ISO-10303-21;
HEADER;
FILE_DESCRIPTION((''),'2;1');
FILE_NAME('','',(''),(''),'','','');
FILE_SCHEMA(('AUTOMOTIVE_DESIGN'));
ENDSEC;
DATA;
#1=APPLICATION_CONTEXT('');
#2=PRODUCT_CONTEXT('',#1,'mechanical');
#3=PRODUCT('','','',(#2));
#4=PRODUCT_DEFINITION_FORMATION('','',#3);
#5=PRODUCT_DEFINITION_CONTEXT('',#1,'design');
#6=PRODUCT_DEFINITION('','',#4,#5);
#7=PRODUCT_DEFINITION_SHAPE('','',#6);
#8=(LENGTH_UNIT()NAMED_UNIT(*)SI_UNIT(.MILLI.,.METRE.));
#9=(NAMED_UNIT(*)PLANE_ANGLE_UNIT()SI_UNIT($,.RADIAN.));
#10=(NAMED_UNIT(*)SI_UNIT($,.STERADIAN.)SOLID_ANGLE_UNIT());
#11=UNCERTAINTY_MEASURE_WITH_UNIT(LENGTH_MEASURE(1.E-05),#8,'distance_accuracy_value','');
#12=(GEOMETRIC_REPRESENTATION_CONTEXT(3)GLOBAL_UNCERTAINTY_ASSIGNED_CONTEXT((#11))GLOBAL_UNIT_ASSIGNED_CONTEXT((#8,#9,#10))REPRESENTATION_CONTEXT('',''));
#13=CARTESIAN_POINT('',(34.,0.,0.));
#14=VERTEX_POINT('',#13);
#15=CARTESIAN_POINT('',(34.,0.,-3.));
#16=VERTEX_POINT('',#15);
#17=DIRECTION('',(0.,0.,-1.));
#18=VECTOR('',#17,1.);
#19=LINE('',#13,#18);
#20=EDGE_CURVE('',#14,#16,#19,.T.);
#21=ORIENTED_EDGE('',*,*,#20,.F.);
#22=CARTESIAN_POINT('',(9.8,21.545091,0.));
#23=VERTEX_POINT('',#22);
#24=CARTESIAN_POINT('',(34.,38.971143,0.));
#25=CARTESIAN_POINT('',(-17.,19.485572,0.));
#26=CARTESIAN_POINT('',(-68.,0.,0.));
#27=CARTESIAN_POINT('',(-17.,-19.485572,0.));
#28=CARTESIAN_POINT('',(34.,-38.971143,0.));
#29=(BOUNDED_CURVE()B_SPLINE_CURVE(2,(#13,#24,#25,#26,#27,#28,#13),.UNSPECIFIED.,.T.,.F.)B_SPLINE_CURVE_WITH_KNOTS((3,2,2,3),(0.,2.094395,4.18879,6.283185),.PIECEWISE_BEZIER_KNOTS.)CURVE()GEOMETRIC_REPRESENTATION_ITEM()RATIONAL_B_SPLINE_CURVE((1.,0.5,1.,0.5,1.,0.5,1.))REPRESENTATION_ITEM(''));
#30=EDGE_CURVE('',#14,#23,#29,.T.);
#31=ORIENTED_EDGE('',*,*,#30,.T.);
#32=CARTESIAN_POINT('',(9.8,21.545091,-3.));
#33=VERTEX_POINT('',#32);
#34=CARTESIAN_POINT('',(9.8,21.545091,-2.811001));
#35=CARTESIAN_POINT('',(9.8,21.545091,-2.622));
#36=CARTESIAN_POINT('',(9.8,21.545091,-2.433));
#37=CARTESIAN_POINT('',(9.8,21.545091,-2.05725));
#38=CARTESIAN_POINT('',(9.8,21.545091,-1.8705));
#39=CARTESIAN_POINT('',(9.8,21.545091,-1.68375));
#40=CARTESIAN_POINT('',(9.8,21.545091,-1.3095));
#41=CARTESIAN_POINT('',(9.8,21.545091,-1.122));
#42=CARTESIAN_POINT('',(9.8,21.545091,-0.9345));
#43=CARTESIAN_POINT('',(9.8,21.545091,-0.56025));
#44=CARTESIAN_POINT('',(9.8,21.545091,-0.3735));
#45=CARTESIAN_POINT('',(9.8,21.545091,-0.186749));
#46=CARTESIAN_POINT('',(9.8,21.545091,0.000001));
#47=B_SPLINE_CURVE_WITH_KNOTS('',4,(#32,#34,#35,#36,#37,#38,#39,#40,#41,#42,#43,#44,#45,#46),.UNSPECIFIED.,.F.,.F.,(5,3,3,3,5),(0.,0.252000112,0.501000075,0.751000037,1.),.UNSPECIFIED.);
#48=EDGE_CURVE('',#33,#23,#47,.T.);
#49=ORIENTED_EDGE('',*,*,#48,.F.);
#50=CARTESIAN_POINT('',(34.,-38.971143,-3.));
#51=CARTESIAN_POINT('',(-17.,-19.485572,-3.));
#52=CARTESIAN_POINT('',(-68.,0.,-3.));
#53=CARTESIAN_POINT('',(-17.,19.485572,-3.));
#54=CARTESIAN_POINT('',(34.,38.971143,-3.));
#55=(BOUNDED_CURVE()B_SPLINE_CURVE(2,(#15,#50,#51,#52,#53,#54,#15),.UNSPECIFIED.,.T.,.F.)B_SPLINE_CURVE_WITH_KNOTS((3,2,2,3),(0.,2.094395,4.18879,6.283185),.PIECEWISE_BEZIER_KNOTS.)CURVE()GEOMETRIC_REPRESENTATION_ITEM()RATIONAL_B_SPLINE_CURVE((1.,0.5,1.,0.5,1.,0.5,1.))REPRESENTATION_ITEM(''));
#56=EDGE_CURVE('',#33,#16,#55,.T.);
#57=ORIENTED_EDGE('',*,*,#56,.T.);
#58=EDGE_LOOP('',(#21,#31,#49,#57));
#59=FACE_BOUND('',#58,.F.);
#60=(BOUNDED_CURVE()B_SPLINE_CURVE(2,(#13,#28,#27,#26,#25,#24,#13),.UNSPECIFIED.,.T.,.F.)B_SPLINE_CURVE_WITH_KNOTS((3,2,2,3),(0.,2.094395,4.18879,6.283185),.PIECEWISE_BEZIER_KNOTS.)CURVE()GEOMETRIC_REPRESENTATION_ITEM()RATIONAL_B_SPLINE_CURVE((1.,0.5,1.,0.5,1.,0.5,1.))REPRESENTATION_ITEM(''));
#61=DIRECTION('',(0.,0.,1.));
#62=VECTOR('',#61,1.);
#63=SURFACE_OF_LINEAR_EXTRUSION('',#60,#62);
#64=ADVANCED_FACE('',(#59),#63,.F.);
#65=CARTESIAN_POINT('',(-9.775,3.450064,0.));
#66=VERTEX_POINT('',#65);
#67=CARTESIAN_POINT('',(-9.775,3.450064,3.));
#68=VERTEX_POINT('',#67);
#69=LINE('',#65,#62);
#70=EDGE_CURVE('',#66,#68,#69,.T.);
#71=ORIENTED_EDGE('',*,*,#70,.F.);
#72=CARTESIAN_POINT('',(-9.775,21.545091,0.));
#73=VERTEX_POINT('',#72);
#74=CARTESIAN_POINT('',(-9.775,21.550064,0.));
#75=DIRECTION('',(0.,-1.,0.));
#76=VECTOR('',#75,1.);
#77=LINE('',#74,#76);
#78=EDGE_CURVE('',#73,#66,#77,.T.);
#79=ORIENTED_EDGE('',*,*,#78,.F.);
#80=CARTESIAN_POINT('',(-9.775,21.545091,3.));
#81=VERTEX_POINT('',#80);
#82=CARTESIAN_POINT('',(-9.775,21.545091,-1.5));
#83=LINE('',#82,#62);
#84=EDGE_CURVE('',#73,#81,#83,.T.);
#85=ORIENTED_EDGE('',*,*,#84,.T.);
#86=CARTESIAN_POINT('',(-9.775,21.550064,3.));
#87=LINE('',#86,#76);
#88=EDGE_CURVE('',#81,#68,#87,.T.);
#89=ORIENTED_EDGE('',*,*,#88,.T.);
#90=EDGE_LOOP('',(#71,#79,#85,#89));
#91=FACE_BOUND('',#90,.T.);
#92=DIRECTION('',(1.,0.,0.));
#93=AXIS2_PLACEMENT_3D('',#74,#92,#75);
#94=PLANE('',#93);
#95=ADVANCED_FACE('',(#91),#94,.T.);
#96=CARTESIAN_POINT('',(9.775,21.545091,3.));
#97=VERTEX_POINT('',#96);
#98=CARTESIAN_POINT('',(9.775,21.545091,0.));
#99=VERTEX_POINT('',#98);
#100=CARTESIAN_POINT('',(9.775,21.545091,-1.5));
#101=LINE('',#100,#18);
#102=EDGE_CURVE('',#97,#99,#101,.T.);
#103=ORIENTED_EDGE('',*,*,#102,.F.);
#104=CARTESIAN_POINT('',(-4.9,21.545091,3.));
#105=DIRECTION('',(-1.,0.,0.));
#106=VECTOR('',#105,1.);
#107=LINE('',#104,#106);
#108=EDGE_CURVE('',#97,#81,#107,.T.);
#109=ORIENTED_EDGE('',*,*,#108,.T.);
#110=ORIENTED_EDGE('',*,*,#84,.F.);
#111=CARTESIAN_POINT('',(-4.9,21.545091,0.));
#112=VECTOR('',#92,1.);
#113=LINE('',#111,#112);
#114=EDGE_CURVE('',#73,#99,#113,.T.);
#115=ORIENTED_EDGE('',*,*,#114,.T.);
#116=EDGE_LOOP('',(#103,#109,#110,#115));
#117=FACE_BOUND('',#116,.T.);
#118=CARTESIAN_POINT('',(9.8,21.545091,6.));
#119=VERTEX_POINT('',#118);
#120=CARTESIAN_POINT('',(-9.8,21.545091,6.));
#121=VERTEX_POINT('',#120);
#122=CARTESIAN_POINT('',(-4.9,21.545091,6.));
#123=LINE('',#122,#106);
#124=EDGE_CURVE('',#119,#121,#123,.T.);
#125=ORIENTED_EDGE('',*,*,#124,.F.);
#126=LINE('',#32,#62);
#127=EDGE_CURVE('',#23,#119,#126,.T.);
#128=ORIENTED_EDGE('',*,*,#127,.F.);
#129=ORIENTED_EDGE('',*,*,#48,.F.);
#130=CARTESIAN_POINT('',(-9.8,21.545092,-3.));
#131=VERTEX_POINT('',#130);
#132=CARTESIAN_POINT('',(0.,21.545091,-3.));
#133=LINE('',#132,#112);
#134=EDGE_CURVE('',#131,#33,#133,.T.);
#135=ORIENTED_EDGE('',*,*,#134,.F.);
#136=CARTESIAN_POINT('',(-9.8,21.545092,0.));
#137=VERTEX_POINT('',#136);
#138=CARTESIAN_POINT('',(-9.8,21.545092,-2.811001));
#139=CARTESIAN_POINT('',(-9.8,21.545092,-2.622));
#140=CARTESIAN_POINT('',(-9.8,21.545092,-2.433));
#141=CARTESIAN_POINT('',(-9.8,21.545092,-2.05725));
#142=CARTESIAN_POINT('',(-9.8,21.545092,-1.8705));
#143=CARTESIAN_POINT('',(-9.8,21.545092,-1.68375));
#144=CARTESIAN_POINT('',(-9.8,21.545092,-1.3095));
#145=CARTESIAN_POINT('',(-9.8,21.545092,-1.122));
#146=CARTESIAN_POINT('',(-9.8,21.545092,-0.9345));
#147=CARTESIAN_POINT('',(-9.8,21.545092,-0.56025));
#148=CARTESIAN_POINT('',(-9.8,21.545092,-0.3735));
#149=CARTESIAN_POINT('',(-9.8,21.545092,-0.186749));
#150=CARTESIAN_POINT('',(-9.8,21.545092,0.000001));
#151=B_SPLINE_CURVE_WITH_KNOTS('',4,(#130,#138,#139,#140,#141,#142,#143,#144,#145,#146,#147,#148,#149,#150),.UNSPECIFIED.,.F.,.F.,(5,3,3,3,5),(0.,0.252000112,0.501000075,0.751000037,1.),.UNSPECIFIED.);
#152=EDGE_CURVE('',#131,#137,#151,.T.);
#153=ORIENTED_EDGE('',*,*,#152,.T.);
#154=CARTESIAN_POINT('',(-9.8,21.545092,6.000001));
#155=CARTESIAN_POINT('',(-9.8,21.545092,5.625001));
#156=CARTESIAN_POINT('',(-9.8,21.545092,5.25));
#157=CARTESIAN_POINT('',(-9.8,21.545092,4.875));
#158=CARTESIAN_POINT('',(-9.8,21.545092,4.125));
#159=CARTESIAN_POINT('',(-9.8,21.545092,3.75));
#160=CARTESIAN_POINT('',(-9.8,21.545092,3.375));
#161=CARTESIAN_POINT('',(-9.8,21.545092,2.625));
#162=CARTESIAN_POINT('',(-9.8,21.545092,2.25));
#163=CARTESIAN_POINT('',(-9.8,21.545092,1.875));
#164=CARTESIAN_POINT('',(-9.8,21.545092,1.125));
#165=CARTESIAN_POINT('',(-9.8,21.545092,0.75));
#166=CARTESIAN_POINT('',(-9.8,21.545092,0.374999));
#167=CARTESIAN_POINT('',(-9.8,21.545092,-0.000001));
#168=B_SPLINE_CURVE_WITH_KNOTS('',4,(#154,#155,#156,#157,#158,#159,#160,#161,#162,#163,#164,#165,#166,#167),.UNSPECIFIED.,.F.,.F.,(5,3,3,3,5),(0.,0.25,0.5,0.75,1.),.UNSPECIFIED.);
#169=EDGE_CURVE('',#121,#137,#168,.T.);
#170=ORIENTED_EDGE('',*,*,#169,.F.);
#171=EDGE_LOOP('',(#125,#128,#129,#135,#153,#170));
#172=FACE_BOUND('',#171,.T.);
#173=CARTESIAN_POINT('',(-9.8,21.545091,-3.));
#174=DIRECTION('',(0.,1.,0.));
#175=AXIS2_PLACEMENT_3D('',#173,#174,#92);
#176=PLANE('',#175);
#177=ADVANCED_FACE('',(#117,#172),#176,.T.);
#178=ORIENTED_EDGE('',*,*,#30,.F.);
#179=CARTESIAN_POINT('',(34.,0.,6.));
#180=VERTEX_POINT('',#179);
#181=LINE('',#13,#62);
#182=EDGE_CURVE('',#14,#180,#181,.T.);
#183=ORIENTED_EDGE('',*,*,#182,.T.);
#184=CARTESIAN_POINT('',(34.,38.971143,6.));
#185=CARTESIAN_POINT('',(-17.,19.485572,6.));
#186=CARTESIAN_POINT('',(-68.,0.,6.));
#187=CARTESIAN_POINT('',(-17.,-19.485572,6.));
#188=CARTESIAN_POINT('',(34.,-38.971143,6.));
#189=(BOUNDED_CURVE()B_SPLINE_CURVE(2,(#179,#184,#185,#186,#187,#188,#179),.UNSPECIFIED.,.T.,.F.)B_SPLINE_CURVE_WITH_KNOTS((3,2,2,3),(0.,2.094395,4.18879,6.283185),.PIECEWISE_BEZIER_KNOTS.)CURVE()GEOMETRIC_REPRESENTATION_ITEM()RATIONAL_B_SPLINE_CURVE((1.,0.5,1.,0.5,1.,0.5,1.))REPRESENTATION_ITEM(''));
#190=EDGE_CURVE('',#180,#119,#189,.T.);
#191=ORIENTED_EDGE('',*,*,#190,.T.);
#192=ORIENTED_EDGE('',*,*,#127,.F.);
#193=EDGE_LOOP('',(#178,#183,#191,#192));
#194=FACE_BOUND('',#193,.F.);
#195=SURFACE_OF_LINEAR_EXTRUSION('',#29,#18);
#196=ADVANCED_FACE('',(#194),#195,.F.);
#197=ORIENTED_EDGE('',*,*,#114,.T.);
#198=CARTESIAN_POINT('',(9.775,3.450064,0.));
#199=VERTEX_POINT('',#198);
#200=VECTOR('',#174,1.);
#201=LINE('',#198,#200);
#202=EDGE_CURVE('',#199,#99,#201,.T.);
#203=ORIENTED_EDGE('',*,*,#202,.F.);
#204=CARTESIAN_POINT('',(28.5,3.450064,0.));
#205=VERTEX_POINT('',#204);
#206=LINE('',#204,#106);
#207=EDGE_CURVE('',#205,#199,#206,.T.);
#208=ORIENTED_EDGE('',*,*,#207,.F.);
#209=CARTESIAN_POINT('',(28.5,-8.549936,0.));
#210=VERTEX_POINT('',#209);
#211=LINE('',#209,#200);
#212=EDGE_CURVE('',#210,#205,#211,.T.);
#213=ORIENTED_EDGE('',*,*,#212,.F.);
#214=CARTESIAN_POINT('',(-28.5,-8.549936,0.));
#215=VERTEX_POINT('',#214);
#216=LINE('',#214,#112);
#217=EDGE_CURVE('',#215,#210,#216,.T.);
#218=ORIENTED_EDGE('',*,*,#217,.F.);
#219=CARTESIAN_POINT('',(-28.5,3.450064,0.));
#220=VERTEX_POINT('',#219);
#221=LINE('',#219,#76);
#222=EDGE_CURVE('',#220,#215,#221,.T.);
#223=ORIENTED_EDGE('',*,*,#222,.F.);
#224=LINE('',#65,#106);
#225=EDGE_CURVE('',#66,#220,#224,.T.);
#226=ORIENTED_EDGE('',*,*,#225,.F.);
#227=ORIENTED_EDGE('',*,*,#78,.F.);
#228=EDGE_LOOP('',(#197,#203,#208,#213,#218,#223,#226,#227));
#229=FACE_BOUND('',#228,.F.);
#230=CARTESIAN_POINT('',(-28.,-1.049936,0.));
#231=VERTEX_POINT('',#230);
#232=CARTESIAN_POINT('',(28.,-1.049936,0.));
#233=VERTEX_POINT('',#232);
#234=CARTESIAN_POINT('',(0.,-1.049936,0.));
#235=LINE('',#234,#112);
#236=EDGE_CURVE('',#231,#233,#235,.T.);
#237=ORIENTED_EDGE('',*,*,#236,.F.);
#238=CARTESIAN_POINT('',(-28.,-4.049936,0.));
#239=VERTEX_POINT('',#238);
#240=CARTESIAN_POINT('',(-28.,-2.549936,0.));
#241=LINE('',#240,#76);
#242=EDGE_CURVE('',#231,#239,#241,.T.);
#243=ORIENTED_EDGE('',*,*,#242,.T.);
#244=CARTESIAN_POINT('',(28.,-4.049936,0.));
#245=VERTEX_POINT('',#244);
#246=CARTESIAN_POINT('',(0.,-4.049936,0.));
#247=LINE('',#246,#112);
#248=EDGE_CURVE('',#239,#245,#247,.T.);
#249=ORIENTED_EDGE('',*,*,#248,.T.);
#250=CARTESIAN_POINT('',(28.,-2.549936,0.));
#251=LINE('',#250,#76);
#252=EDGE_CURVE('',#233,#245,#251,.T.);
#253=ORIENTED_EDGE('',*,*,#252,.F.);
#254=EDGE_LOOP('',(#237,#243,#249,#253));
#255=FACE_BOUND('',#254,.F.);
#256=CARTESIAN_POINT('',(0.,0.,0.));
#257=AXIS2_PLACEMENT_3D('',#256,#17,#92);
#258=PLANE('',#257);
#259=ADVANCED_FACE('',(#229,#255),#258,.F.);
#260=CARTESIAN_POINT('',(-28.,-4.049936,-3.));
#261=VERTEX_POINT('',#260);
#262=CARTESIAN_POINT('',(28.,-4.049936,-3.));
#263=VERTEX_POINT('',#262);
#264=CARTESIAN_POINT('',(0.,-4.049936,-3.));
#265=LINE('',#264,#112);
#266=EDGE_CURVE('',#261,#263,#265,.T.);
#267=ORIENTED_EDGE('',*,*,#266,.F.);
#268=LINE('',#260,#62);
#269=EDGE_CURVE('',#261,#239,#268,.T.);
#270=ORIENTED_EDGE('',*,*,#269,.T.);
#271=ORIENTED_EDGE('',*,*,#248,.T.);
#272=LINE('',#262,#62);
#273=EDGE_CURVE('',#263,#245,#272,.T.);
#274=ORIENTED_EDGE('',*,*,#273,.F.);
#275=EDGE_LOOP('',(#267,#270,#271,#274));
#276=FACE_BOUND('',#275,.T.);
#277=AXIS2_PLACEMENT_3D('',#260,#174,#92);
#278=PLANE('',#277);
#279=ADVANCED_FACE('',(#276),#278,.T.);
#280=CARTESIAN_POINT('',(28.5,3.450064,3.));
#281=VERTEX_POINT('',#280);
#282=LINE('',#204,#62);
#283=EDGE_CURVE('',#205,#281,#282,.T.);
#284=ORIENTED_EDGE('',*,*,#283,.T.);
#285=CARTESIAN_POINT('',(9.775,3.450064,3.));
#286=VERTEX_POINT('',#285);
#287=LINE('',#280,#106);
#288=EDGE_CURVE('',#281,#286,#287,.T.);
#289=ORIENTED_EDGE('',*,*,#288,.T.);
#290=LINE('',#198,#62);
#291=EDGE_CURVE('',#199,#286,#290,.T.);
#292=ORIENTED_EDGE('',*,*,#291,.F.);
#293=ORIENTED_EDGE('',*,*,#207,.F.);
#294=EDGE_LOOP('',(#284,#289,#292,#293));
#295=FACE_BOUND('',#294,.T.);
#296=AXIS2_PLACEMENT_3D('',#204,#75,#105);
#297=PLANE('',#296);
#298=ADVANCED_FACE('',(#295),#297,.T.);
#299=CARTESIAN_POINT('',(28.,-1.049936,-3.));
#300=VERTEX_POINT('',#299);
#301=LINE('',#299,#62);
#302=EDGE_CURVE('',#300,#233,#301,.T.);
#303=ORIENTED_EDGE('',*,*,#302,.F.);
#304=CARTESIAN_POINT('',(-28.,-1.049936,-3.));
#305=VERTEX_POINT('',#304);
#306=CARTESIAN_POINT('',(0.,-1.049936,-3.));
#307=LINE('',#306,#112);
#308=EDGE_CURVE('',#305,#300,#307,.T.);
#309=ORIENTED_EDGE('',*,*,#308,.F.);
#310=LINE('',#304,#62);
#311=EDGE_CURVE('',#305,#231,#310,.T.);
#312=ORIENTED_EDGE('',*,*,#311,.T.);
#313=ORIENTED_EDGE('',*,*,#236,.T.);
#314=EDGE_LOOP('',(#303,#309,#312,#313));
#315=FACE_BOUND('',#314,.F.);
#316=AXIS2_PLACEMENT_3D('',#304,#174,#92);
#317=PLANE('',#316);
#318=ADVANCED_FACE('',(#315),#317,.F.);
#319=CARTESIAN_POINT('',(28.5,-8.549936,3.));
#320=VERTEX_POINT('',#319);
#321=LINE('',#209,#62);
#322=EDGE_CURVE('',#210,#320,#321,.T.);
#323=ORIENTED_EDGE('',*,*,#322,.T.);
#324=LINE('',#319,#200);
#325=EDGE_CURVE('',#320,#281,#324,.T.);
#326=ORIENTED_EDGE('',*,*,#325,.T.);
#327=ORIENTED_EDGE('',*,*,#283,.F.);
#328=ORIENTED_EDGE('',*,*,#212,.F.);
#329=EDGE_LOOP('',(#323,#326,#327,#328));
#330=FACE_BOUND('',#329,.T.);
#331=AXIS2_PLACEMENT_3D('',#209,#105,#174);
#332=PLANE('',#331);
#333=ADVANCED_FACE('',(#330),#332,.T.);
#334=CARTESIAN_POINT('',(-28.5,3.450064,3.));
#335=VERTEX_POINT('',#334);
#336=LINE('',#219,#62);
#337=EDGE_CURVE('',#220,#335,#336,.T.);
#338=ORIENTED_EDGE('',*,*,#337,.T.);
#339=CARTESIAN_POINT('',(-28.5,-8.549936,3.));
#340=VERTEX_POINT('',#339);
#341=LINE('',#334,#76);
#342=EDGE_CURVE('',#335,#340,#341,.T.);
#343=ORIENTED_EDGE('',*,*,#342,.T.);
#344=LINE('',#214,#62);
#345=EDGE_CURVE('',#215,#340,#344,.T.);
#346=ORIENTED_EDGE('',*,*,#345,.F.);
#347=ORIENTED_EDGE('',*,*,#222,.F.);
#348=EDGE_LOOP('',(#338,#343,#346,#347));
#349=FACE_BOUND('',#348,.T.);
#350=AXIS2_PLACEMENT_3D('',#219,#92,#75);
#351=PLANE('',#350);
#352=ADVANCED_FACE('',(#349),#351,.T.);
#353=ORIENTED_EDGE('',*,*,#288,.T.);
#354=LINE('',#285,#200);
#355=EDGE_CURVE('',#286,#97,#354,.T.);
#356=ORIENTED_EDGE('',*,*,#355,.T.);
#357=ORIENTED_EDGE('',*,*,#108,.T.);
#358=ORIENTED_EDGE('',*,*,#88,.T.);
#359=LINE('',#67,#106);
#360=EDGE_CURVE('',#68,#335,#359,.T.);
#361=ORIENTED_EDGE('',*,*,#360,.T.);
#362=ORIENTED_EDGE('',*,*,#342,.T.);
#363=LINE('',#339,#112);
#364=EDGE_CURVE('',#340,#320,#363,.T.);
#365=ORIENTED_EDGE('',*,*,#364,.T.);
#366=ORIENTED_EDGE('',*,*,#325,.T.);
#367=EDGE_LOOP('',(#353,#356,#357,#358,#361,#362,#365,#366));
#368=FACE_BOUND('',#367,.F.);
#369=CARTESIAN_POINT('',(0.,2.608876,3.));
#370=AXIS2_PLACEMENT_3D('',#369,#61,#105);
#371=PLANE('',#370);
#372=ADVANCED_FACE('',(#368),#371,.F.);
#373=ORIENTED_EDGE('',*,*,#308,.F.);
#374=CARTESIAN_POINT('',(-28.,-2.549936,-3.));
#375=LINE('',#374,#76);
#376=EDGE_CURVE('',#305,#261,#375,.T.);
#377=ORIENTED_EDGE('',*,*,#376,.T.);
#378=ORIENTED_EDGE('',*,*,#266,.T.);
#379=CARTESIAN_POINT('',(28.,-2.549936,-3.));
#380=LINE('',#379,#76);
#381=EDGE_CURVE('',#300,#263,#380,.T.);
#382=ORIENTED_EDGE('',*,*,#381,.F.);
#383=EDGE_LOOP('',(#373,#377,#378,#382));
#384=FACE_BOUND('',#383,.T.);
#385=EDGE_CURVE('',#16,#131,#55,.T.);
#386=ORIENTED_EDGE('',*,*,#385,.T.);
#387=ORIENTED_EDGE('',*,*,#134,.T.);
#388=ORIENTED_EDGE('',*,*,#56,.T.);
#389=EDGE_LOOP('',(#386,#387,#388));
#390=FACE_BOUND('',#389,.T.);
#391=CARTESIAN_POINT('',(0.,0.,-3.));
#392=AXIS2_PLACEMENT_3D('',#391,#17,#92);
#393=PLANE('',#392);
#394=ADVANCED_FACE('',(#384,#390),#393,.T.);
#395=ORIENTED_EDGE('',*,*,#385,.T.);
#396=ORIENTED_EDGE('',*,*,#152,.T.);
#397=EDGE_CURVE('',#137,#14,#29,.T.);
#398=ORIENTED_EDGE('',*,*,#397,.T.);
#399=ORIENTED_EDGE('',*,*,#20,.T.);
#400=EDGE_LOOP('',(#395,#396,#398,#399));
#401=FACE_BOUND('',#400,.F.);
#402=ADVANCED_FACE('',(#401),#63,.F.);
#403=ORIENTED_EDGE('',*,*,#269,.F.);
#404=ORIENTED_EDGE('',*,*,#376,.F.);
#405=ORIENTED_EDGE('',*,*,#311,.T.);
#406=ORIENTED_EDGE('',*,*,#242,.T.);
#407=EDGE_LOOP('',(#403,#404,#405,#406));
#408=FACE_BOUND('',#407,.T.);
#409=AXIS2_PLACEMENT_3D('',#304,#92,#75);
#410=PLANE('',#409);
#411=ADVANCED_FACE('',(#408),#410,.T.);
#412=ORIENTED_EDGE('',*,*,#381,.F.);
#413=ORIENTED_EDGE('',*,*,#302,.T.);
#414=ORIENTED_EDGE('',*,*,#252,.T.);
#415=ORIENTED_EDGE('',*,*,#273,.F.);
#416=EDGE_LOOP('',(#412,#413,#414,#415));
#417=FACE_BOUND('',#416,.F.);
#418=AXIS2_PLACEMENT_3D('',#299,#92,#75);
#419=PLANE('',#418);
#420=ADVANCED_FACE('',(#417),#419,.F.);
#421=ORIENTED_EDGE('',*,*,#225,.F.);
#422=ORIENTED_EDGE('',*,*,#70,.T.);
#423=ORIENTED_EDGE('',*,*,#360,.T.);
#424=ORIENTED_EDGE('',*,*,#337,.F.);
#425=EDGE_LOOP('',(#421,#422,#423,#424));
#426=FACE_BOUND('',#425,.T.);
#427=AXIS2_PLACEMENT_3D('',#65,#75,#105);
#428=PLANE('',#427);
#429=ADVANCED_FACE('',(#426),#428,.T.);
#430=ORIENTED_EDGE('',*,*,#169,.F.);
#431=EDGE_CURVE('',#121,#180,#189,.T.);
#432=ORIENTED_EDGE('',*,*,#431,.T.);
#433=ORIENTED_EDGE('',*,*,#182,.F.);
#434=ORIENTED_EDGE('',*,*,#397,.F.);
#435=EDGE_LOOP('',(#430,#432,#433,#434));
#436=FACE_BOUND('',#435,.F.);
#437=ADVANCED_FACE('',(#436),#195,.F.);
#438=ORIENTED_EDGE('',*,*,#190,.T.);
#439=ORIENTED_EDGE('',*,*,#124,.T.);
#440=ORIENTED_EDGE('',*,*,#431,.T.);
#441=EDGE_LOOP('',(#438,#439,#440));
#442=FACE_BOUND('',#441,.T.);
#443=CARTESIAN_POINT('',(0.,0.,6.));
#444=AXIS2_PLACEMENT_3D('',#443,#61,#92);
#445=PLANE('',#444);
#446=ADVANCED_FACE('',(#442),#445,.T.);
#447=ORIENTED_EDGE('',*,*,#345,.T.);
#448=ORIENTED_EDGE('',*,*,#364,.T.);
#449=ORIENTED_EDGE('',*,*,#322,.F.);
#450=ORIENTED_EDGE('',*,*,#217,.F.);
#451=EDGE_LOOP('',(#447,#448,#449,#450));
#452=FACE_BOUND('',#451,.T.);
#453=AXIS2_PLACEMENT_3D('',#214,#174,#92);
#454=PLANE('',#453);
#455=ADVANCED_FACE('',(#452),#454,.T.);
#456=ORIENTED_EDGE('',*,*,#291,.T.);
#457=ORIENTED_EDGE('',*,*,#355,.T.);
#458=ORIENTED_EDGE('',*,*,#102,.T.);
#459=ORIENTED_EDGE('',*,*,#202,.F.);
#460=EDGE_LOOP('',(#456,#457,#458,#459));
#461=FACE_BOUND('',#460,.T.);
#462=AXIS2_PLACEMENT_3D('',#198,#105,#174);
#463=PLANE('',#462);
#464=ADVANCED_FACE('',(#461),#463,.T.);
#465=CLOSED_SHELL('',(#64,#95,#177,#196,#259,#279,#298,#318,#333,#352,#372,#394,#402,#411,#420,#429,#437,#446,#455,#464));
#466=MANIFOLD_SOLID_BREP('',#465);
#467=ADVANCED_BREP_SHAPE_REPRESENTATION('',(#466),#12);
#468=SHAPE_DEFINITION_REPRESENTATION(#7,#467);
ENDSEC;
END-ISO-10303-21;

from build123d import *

# Parameters (mm, degrees)
PAD_DEPTH       = 6
POCKET_DEPTH    = 3
PAD001_DEPTH    = 3
SKETCH003_W     = 56
SKETCH003_H     = 3
POCKET001_DEPTH = 3
SKETCH004_W     = 19.6
SKETCH004_H     = 1
POCKET002_DEPTH = 9.001


with BuildPart() as part:
    # Sketch → Pad (new body)
    with BuildSketch(Plane.XY):
        with BuildLine():
            add(Edge.make_bspline(
                [(34, 0), (34, 38.971143), (-17, 19.485572), (-68, 0), (-17, -19.485572), (34, -38.971143), (34, 0)],
                knots=[0, 0, 0, 2.094395, 2.094395, 4.18879, 4.18879, 6.283185, 6.283185, 6.283185], degree=2, weights=[1, 0.5, 1, 0.5, 1, 0.5, 1]))
        make_face()
    extrude(amount=PAD_DEPTH)

    # Sketch001 (on Face2 of Pad) → Pocket (cut)
    with BuildSketch(Plane(origin=(0, 0, 0), x_dir=(1, 0, 0), z_dir=(0, 0, -1))):
        Polygon((9.775, -3.450064), (9.775, -21.550064), (-9.775, -21.550064), (-9.775, -3.450064), (-28.5, -3.450064), (-28.5, 8.549936), (28.5, 8.549936), (28.5, -3.450064), align=None)
    extrude(amount=-POCKET_DEPTH, mode=Mode.SUBTRACT)

    # Sketch002 (on Face2 of Pocket) → Pad001 (join)
    with BuildSketch(Plane(origin=(0, 0, 0), x_dir=(1, 0, 0), z_dir=(0, 0, -1))):
        with BuildLine():
            add(Edge.make_bspline(
                [(34, 0), (34, 38.971143), (-17, 19.485572), (-68, 0), (-17, -19.485572), (34, -38.971143), (34, 0)],
                knots=[0, 0, 0, 2.094395, 2.094395, 4.18879, 4.18879, 6.283185, 6.283185, 6.283185], degree=2, weights=[1, 0.5, 1, 0.5, 1, 0.5, 1]))
        make_face()
    extrude(amount=PAD001_DEPTH)

    # Sketch003 (on Face4 of Pad001) → Pocket001 (cut)
    with BuildSketch(Plane(origin=(0, 0, -3), x_dir=(1, 0, 0), z_dir=(0, 0, -1))):
        with Locations((0, 2.549936)):
            Rectangle(SKETCH003_W, SKETCH003_H)
    extrude(amount=-POCKET001_DEPTH, mode=Mode.SUBTRACT)

    # Sketch004 (on Face4 of Pocket001) → Pocket002 (cut, through all)
    with BuildSketch(Plane(origin=(0, 0, -3), x_dir=(1, 0, 0), z_dir=(0, 0, -1))):
        with Locations((0, -22.045091)):
            Rectangle(SKETCH004_W, SKETCH004_H)
    extrude(amount=-POCKET002_DEPTH, mode=Mode.SUBTRACT)


solid = part.part
